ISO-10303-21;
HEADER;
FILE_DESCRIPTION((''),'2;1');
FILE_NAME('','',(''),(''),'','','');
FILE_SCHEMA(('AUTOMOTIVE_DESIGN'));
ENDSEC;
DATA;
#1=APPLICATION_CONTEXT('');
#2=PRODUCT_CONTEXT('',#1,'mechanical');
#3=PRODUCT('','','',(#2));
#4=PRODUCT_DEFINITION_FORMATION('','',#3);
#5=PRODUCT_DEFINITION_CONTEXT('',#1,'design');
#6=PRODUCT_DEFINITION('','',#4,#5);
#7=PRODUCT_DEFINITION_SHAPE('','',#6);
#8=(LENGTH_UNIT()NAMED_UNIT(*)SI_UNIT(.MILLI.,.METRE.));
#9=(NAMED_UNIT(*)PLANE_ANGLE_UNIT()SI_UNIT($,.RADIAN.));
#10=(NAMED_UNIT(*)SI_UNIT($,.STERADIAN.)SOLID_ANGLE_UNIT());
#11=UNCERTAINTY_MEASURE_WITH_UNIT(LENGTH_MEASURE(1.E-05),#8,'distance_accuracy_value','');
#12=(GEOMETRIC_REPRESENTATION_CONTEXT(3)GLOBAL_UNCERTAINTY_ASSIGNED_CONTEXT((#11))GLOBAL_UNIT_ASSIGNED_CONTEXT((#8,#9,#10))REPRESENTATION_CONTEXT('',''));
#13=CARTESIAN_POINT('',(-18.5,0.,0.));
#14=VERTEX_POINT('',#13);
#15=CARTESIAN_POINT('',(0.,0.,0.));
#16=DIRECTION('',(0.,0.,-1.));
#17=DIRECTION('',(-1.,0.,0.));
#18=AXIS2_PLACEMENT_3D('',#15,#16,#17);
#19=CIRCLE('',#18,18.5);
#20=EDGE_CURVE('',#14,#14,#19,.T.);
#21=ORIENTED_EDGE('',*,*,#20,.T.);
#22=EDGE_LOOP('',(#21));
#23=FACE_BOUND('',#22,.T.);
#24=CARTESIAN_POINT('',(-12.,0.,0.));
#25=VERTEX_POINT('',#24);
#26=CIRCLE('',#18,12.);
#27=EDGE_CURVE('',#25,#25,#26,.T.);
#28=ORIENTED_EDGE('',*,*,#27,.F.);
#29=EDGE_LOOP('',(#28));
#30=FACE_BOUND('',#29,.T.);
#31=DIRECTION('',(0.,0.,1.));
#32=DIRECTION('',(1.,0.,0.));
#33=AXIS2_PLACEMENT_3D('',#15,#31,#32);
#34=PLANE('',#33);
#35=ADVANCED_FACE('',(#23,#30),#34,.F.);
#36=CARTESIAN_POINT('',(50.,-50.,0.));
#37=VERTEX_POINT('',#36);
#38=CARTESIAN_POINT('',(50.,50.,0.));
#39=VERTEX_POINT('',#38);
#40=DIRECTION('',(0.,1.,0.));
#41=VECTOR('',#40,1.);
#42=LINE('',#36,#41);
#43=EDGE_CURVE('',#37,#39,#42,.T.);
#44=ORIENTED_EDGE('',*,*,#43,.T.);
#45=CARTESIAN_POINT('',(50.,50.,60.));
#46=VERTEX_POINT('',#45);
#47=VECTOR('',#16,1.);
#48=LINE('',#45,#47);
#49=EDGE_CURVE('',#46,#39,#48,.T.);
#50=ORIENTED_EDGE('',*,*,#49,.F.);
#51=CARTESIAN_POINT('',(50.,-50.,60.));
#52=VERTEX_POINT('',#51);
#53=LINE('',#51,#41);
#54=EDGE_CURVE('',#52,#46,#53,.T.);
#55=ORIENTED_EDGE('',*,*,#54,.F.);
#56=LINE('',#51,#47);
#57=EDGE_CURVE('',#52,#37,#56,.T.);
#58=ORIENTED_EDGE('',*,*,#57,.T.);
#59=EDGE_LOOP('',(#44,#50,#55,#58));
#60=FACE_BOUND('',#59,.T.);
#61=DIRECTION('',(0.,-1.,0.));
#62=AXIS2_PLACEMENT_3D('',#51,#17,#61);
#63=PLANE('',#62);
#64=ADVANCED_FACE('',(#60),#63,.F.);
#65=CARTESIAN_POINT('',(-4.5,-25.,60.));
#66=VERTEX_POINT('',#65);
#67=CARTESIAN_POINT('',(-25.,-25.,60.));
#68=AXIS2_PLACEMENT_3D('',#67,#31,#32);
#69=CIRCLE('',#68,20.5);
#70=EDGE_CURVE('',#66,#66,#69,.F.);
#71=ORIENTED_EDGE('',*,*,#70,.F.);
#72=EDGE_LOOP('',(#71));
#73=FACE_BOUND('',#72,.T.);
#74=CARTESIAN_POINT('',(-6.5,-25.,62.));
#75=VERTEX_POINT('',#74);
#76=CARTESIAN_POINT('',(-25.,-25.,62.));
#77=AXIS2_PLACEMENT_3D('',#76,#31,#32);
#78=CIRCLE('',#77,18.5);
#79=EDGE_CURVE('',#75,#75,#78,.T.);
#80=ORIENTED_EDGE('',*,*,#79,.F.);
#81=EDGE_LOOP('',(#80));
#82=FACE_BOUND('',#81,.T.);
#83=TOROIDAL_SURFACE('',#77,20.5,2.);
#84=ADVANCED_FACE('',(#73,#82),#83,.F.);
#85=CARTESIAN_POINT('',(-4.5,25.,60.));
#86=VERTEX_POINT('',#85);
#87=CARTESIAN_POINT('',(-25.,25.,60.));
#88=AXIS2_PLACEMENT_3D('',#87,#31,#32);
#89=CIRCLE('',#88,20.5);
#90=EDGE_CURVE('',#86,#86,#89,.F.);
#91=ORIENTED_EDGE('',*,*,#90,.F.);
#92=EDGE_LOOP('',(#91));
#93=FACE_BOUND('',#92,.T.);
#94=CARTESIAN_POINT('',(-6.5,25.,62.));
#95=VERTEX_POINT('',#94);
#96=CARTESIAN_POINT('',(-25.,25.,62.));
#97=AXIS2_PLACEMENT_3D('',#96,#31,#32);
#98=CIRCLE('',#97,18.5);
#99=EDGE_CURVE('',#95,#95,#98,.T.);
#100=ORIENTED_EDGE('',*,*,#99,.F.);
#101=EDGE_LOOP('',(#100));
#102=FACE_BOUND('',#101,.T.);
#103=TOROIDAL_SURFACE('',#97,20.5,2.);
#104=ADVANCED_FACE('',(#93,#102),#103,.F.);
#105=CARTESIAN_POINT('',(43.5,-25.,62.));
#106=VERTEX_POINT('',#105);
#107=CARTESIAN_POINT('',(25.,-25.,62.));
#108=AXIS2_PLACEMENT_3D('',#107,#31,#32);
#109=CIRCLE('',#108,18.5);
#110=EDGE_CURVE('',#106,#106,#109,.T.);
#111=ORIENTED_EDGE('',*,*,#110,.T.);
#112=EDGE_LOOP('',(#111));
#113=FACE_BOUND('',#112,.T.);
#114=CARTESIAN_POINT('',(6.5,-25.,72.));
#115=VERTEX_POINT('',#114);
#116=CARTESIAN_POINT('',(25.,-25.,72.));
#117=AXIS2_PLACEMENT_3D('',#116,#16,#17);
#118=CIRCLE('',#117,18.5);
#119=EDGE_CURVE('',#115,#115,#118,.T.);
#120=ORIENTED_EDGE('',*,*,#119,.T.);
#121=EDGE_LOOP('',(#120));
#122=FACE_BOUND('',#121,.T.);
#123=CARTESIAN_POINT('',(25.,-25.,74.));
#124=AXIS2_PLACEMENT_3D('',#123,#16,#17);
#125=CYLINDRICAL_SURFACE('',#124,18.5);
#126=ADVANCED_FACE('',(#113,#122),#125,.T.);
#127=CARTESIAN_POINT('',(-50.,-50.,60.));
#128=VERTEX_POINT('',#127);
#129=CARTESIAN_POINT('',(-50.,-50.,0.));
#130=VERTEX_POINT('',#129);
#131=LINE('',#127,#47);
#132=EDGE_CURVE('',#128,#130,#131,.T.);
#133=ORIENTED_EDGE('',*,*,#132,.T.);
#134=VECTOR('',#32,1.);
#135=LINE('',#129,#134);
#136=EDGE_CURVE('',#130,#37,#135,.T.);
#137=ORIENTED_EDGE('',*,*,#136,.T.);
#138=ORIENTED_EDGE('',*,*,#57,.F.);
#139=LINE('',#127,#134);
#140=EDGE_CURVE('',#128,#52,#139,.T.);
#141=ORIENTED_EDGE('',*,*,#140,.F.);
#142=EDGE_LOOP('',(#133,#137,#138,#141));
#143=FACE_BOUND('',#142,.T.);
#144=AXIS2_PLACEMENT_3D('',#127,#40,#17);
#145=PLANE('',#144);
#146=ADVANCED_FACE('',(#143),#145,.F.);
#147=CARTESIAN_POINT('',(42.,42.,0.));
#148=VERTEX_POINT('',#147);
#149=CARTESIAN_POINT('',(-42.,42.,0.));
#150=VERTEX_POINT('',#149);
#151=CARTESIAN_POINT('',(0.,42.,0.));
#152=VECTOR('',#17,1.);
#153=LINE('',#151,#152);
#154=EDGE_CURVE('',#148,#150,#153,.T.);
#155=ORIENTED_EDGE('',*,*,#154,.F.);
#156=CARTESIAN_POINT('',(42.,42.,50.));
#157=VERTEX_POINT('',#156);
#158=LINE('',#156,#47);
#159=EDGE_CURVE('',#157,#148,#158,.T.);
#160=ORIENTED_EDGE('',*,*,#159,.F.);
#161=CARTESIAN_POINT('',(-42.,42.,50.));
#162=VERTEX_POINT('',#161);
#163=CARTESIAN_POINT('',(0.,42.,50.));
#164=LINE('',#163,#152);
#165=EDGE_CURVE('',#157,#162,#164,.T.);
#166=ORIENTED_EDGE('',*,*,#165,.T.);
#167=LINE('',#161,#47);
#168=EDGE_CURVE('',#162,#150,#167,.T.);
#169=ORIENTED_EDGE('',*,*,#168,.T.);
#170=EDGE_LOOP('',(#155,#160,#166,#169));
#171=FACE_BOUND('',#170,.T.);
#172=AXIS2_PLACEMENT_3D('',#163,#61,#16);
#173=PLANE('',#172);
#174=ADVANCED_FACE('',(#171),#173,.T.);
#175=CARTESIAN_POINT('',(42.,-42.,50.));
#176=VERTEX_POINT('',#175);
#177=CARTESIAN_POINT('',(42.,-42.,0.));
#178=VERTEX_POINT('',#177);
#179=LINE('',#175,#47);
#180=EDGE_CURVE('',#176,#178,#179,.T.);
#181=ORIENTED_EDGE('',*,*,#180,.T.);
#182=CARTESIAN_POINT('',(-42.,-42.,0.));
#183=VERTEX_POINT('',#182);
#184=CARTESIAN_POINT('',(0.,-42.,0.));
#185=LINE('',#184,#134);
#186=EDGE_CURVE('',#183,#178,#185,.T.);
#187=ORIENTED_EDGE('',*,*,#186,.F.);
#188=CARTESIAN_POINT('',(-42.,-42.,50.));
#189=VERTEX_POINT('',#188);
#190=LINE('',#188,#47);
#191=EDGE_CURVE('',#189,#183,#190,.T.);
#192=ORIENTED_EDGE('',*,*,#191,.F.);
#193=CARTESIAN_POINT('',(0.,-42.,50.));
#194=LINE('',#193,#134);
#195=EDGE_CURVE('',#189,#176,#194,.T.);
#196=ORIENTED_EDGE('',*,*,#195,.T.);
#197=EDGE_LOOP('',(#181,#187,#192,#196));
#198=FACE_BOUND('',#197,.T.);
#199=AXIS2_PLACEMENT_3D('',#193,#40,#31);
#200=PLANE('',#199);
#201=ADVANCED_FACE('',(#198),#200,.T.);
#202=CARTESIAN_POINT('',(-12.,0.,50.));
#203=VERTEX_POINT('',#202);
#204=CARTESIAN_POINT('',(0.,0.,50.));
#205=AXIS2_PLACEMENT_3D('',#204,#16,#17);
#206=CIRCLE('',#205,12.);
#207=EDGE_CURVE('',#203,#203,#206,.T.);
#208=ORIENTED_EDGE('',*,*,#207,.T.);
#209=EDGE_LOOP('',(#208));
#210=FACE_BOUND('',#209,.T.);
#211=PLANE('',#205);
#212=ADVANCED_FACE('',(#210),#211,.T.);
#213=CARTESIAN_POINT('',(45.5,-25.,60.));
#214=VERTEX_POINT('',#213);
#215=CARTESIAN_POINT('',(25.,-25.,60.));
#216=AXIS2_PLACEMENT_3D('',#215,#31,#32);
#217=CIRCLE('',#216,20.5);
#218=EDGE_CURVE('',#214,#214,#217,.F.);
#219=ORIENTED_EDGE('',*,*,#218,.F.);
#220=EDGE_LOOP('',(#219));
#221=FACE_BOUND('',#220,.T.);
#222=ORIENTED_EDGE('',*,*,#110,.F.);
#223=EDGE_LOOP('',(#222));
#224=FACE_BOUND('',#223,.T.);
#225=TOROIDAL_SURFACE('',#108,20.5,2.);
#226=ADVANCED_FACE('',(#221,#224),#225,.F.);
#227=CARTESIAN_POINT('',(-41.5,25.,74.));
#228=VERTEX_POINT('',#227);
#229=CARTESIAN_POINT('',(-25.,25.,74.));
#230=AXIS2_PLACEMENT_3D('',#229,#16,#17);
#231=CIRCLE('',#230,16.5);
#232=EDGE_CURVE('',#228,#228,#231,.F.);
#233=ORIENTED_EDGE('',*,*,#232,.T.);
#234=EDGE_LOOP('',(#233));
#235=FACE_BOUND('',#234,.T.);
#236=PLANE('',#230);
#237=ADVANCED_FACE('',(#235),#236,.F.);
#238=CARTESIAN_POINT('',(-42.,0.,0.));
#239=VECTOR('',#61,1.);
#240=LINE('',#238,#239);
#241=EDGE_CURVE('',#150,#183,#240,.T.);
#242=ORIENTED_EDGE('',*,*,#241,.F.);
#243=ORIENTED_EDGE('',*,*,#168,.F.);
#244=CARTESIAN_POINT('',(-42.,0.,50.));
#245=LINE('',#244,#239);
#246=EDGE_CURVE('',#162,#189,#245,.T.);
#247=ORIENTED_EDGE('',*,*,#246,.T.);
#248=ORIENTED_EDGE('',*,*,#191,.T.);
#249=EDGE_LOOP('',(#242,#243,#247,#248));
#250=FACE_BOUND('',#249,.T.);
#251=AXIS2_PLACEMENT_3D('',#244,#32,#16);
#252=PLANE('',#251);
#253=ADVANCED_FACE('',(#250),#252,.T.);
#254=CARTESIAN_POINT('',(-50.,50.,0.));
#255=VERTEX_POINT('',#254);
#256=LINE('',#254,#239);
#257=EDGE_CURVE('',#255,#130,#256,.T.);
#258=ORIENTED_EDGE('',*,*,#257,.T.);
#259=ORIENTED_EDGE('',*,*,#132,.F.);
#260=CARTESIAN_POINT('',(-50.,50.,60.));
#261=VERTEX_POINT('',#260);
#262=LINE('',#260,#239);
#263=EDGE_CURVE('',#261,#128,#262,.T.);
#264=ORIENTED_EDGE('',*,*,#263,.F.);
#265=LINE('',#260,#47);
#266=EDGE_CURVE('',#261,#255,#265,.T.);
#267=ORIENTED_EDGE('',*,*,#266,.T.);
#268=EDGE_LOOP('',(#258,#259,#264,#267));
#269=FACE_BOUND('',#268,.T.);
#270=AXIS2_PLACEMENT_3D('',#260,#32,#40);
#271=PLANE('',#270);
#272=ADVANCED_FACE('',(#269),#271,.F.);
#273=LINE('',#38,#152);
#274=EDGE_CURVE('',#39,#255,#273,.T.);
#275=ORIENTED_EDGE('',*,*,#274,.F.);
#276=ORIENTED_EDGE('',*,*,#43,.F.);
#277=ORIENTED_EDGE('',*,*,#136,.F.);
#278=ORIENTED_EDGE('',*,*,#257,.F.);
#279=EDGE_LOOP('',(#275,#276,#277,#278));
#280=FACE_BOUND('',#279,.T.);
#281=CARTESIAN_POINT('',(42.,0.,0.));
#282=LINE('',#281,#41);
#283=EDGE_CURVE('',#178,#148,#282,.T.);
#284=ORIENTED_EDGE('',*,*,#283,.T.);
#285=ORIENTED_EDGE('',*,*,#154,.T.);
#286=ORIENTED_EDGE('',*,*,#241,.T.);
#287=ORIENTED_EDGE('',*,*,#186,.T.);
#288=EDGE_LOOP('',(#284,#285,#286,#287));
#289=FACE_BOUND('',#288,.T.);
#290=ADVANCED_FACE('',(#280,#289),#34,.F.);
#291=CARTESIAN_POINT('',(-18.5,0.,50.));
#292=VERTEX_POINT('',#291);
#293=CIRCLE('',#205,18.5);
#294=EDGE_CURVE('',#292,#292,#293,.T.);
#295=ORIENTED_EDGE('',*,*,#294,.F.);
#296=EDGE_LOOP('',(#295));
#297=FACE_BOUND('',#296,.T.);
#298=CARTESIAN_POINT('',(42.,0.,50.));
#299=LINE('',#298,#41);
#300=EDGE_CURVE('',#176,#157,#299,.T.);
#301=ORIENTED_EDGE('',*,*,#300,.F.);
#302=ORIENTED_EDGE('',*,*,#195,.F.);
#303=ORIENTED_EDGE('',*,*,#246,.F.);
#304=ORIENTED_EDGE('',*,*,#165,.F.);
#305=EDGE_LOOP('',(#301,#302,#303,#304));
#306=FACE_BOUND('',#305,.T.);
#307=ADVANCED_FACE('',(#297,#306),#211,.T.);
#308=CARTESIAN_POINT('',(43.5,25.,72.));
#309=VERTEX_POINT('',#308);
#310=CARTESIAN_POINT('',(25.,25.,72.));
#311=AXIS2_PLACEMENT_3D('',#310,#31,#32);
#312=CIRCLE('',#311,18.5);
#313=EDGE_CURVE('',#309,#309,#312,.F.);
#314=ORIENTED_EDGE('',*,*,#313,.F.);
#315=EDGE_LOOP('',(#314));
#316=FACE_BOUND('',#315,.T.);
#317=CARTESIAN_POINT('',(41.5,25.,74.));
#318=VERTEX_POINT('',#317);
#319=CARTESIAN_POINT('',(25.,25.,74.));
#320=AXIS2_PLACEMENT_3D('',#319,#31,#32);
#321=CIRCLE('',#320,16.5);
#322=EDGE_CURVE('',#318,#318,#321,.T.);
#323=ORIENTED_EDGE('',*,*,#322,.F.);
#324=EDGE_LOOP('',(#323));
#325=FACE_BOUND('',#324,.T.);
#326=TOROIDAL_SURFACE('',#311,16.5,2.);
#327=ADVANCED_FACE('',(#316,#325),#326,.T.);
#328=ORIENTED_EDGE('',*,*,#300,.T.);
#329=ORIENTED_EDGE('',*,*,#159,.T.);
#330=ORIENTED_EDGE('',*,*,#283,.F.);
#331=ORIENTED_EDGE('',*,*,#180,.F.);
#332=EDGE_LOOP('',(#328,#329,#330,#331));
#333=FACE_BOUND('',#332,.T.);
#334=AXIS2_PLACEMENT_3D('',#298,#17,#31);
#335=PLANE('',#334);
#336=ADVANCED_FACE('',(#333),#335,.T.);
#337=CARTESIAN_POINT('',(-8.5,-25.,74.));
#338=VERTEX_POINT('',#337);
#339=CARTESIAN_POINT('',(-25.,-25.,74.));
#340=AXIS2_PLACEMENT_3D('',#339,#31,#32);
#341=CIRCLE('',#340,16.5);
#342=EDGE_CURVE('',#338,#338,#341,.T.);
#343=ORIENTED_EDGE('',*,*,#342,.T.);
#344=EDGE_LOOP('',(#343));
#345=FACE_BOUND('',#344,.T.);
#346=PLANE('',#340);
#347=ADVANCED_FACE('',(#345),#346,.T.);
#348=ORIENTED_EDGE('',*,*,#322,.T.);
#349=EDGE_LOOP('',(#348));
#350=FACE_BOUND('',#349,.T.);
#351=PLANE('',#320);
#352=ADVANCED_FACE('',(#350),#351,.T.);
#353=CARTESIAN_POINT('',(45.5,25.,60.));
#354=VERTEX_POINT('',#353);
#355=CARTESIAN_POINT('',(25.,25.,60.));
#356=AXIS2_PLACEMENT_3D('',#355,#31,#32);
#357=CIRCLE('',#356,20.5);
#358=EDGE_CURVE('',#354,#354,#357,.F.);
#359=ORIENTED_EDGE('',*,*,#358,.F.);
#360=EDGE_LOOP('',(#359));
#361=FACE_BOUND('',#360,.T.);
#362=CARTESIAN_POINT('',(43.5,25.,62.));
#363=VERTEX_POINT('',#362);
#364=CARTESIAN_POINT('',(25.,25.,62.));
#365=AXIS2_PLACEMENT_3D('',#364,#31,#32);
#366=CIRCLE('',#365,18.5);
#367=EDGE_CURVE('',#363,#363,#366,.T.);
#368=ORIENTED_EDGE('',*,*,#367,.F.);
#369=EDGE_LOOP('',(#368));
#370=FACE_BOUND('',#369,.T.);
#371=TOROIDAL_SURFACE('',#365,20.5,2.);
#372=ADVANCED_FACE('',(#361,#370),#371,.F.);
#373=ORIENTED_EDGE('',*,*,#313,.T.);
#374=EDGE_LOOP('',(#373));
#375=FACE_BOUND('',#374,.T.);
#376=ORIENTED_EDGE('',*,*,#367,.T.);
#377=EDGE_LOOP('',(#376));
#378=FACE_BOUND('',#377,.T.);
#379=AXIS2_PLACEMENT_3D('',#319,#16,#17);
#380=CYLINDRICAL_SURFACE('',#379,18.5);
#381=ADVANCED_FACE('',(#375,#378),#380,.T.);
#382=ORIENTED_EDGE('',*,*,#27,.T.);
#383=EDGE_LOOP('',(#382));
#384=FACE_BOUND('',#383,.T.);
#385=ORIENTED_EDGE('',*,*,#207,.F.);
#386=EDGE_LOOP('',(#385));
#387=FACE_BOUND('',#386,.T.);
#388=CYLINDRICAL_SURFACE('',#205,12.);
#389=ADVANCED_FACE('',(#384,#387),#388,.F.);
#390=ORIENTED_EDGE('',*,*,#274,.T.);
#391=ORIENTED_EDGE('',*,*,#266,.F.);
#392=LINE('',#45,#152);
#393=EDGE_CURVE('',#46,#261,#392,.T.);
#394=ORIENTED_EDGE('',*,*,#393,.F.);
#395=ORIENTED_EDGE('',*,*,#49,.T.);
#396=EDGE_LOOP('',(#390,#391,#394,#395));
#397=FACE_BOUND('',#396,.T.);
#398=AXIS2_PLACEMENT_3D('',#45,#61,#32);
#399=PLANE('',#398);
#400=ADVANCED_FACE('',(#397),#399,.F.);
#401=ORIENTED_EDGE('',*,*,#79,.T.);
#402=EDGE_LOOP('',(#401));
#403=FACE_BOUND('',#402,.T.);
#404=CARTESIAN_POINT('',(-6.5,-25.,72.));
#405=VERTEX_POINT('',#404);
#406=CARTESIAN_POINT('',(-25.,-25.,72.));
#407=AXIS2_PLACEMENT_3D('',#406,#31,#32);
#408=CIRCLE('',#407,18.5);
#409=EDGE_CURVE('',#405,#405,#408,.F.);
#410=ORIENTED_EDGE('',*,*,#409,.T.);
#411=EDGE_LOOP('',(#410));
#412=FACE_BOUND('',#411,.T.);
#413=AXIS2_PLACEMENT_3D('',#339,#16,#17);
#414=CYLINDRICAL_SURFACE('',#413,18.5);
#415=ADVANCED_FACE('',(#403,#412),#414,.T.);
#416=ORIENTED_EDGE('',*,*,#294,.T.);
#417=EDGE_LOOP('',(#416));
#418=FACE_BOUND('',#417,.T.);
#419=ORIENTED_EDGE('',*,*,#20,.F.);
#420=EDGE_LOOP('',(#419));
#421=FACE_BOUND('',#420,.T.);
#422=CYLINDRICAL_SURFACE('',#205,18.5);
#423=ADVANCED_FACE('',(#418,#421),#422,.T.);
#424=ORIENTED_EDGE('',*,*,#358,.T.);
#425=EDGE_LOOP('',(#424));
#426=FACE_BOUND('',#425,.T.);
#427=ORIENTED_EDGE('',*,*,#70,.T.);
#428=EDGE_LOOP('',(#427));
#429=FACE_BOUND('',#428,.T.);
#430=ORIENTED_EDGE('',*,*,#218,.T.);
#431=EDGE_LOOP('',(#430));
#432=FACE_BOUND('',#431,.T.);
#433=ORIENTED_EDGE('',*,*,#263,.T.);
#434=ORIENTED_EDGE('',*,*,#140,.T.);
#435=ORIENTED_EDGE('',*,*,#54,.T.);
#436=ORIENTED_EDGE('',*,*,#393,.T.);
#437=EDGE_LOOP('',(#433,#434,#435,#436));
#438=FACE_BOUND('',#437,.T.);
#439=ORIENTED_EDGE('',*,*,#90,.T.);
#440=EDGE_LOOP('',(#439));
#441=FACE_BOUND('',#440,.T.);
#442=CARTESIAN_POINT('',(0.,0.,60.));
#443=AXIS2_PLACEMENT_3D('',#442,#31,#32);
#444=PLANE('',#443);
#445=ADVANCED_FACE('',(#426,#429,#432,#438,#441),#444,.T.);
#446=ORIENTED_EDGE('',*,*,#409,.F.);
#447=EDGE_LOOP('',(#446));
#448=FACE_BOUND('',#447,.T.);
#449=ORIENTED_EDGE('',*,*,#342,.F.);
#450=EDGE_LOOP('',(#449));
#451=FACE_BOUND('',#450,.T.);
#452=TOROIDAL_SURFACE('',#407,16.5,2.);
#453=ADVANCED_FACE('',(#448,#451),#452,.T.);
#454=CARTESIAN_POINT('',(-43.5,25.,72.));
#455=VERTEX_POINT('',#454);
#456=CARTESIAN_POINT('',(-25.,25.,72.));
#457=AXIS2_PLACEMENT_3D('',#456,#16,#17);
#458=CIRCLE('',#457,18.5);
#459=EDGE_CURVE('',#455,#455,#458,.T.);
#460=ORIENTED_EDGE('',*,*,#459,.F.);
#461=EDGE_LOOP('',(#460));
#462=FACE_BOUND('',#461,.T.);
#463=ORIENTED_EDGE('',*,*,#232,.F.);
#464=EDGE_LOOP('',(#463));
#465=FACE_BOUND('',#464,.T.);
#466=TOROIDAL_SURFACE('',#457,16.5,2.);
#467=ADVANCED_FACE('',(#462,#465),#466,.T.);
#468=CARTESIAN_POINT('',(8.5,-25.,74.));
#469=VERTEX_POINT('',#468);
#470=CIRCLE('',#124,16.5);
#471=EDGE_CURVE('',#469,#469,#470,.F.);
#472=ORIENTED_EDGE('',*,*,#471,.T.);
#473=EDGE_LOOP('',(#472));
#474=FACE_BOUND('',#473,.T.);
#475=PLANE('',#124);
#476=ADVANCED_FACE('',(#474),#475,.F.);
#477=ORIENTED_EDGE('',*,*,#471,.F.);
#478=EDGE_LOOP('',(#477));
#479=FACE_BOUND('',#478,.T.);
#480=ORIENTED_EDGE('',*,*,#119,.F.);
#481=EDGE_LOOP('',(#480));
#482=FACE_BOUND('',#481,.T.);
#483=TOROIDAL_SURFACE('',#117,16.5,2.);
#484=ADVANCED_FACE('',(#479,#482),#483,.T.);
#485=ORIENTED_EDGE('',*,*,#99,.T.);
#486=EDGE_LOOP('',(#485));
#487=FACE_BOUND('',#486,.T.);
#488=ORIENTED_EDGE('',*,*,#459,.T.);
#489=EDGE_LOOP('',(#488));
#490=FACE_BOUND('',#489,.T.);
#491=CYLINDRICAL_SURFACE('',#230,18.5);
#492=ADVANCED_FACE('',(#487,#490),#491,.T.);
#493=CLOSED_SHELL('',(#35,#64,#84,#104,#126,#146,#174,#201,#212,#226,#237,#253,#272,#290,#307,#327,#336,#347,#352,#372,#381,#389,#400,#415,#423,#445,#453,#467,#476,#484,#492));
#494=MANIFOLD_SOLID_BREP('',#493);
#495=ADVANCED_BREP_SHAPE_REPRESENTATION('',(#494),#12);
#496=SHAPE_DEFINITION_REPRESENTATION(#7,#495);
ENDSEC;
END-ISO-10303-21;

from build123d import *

# Parameters (mm, degrees)
ESQUISSE2_W             = 100
ESQUISSE2_H             = 100
BOSS_EXTRU_1_DEPTH      = 60
ESQUISSE3_R             = 18.5
BOSS_EXTRU_2_DEPTH      = 14
ESQUISSE4_W             = 84
ESQUISSE4_H             = 84
ESQUISSE4_R             = 18.5
ESQUISSE4_R_2           = 12
ENL_V_MAT_EXTRU_4_DEPTH = 50
CONG_1_R                = 2


with BuildPart() as part:
    # Esquisse2 → Boss.-Extru.1 (new body)
    with BuildSketch(Plane.XY):
        Rectangle(ESQUISSE2_W, ESQUISSE2_H)
    extrude(amount=BOSS_EXTRU_1_DEPTH)

    # Esquisse3 → Boss.-Extru.2 (add)
    with BuildSketch(Plane.XY.offset(60)):
        with Locations((25, 25)):
            Circle(ESQUISSE3_R)
        with Locations(Location((25, -25, 0), (0, 0, 180))):
            Circle(ESQUISSE3_R)
        with Locations(Location((-25, 25, 0), (0, 0, 180))):
            Circle(ESQUISSE3_R)
        with Locations((-25, -25)):
            Circle(ESQUISSE3_R)
    extrude(amount=BOSS_EXTRU_2_DEPTH)

    # Esquisse4 → Enlèv. mat.-Extru.4 (cut)
    # profile 1 of 2: a face of its own
    with BuildSketch(Plane(origin=(0, 0, 0), x_dir=(-1, 0, 0), z_dir=(0, 0, -1))):
        Rectangle(ESQUISSE4_W, ESQUISSE4_H)
        Circle(ESQUISSE4_R, mode=Mode.SUBTRACT)
    # profile 2 of 2: a face of its own
    with BuildSketch(Plane(origin=(0, 0, 0), x_dir=(-1, 0, 0), z_dir=(0, 0, -1))):
        Circle(ESQUISSE4_R_2)
    extrude(amount=-ENL_V_MAT_EXTRU_4_DEPTH, mode=Mode.SUBTRACT)

    # Congé1
    cong_1_edges = [part.edges().sort_by_distance(p)[0] for p in [
        (6.5, 25, 60),
        (6.5, 25, 74),
        (43.5, -25, 60),
        (43.5, -25, 74),
        (-6.5, 25, 60),
        (-6.5, 25, 74),
        (-43.5, -25, 60),
        (-43.5, -25, 74),
    ]]
    fillet(cong_1_edges, radius=CONG_1_R)


solid = part.part
